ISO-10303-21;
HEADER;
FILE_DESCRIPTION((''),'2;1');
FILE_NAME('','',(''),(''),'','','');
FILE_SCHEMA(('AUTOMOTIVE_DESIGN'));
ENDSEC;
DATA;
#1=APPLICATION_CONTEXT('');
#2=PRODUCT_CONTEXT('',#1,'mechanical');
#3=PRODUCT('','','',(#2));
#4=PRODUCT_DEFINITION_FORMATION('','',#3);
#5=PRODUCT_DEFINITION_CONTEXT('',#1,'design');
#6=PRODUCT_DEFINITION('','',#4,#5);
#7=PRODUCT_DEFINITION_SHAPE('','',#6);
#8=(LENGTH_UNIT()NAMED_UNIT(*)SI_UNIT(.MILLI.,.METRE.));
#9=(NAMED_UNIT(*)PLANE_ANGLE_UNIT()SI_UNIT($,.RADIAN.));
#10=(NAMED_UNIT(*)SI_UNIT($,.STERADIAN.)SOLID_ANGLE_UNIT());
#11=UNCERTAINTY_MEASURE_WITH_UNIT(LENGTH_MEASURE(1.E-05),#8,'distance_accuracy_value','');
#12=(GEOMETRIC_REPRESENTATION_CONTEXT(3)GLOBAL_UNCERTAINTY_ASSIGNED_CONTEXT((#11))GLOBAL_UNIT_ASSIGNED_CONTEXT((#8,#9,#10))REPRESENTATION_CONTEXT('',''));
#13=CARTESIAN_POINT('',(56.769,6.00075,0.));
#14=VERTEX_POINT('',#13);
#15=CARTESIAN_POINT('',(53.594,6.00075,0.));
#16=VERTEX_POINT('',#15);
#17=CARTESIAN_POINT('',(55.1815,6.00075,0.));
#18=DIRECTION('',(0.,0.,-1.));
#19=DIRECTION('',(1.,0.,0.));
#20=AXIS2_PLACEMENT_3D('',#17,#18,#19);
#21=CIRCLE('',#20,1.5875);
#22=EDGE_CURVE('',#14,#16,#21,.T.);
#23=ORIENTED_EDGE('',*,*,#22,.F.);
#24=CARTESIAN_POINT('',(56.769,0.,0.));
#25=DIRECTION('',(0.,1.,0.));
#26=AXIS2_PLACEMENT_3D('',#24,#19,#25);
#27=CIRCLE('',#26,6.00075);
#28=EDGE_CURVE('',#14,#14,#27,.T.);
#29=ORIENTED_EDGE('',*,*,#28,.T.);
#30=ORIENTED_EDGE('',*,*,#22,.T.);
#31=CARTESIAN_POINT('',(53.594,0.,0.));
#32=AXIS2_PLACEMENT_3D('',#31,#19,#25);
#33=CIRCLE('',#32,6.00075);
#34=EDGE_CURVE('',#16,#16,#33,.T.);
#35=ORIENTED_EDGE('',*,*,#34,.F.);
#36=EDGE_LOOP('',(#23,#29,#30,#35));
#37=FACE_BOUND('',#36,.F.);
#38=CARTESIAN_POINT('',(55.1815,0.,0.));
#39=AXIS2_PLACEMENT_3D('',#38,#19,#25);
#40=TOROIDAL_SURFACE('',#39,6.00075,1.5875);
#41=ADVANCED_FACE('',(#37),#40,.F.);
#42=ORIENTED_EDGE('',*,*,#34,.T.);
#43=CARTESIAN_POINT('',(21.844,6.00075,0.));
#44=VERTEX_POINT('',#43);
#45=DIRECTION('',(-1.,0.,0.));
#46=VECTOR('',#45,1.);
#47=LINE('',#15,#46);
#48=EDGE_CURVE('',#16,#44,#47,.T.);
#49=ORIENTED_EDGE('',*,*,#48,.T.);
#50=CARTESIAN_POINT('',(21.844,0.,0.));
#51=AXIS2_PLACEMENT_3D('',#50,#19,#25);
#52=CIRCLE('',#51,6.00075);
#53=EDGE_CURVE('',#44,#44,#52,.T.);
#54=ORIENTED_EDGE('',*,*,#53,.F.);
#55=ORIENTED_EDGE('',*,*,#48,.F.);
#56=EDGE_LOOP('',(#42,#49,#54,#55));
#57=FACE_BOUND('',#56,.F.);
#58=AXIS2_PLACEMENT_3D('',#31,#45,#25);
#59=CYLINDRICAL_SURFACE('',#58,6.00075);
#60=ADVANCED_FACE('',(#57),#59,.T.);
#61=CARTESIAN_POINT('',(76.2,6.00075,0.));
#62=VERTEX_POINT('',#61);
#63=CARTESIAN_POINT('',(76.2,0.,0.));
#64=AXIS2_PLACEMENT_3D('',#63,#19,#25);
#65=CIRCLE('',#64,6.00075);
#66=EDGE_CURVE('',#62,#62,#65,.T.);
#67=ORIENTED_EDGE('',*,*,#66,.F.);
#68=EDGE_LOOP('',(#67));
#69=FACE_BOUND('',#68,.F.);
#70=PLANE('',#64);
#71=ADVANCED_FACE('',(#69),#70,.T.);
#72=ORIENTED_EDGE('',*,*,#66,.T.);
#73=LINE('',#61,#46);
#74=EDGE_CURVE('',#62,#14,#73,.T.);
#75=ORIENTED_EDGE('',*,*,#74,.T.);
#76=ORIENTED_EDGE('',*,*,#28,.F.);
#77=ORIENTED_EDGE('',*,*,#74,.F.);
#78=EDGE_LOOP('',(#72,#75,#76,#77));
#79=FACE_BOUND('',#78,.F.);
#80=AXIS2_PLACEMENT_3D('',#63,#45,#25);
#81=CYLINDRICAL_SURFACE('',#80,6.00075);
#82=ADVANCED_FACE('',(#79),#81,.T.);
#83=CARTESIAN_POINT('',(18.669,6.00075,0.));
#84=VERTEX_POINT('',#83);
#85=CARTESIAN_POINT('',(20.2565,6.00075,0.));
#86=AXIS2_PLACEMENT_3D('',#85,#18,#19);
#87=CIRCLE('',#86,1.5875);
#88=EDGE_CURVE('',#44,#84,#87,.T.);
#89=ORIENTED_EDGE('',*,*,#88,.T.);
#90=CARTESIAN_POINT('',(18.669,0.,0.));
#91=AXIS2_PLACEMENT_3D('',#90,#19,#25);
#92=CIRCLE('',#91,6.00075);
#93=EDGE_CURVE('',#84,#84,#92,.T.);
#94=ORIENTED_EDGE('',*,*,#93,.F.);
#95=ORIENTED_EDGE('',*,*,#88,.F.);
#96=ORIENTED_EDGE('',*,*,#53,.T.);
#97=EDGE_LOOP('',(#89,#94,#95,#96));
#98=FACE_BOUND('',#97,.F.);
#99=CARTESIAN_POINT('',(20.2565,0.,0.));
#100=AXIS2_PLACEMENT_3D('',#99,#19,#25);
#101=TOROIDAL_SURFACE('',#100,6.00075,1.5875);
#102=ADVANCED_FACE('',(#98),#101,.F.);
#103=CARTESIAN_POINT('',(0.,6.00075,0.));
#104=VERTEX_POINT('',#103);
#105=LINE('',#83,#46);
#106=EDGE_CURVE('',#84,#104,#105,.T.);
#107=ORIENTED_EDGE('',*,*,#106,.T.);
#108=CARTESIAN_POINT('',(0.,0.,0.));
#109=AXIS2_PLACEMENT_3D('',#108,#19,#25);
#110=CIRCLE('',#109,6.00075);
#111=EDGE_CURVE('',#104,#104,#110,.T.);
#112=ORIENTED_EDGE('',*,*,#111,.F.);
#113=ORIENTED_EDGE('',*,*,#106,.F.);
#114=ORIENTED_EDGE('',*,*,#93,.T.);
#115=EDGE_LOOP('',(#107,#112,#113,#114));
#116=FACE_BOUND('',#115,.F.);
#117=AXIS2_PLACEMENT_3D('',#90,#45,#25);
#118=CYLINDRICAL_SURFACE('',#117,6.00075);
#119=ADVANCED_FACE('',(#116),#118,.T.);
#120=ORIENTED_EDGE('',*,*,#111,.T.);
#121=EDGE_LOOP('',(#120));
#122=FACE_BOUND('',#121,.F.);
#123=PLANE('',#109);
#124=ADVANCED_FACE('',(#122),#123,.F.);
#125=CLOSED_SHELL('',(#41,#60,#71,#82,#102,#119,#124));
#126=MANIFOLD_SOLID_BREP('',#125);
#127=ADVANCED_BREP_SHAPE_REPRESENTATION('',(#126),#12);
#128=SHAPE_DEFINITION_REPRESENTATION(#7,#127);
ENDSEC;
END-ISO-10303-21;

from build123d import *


with BuildPart() as f1:
    # F0 (on Top) → F1 (revolve)
    with BuildSketch(Plane.XY):
        with BuildLine():
            Line((0, 6.00075), (0, 0))
            Line((0, 0), (76.2, 0))
            Line((76.2, 0), (76.2, 6.00075))
            Line((76.2, 6.00075), (56.769, 6.00075))
            ThreePointArc((56.769, 6.00075), (55.1815, 4.41325), (53.594, 6.00075))
            Line((53.594, 6.00075), (21.844, 6.00075))
            ThreePointArc((21.844, 6.00075), (20.2565, 4.41325), (18.669, 6.00075))
            Line((18.669, 6.00075), (0, 6.00075))
        make_face()
    revolve(axis=Axis((38.1, 0, 0), (1, 0, 0)))


solid = f1.part
